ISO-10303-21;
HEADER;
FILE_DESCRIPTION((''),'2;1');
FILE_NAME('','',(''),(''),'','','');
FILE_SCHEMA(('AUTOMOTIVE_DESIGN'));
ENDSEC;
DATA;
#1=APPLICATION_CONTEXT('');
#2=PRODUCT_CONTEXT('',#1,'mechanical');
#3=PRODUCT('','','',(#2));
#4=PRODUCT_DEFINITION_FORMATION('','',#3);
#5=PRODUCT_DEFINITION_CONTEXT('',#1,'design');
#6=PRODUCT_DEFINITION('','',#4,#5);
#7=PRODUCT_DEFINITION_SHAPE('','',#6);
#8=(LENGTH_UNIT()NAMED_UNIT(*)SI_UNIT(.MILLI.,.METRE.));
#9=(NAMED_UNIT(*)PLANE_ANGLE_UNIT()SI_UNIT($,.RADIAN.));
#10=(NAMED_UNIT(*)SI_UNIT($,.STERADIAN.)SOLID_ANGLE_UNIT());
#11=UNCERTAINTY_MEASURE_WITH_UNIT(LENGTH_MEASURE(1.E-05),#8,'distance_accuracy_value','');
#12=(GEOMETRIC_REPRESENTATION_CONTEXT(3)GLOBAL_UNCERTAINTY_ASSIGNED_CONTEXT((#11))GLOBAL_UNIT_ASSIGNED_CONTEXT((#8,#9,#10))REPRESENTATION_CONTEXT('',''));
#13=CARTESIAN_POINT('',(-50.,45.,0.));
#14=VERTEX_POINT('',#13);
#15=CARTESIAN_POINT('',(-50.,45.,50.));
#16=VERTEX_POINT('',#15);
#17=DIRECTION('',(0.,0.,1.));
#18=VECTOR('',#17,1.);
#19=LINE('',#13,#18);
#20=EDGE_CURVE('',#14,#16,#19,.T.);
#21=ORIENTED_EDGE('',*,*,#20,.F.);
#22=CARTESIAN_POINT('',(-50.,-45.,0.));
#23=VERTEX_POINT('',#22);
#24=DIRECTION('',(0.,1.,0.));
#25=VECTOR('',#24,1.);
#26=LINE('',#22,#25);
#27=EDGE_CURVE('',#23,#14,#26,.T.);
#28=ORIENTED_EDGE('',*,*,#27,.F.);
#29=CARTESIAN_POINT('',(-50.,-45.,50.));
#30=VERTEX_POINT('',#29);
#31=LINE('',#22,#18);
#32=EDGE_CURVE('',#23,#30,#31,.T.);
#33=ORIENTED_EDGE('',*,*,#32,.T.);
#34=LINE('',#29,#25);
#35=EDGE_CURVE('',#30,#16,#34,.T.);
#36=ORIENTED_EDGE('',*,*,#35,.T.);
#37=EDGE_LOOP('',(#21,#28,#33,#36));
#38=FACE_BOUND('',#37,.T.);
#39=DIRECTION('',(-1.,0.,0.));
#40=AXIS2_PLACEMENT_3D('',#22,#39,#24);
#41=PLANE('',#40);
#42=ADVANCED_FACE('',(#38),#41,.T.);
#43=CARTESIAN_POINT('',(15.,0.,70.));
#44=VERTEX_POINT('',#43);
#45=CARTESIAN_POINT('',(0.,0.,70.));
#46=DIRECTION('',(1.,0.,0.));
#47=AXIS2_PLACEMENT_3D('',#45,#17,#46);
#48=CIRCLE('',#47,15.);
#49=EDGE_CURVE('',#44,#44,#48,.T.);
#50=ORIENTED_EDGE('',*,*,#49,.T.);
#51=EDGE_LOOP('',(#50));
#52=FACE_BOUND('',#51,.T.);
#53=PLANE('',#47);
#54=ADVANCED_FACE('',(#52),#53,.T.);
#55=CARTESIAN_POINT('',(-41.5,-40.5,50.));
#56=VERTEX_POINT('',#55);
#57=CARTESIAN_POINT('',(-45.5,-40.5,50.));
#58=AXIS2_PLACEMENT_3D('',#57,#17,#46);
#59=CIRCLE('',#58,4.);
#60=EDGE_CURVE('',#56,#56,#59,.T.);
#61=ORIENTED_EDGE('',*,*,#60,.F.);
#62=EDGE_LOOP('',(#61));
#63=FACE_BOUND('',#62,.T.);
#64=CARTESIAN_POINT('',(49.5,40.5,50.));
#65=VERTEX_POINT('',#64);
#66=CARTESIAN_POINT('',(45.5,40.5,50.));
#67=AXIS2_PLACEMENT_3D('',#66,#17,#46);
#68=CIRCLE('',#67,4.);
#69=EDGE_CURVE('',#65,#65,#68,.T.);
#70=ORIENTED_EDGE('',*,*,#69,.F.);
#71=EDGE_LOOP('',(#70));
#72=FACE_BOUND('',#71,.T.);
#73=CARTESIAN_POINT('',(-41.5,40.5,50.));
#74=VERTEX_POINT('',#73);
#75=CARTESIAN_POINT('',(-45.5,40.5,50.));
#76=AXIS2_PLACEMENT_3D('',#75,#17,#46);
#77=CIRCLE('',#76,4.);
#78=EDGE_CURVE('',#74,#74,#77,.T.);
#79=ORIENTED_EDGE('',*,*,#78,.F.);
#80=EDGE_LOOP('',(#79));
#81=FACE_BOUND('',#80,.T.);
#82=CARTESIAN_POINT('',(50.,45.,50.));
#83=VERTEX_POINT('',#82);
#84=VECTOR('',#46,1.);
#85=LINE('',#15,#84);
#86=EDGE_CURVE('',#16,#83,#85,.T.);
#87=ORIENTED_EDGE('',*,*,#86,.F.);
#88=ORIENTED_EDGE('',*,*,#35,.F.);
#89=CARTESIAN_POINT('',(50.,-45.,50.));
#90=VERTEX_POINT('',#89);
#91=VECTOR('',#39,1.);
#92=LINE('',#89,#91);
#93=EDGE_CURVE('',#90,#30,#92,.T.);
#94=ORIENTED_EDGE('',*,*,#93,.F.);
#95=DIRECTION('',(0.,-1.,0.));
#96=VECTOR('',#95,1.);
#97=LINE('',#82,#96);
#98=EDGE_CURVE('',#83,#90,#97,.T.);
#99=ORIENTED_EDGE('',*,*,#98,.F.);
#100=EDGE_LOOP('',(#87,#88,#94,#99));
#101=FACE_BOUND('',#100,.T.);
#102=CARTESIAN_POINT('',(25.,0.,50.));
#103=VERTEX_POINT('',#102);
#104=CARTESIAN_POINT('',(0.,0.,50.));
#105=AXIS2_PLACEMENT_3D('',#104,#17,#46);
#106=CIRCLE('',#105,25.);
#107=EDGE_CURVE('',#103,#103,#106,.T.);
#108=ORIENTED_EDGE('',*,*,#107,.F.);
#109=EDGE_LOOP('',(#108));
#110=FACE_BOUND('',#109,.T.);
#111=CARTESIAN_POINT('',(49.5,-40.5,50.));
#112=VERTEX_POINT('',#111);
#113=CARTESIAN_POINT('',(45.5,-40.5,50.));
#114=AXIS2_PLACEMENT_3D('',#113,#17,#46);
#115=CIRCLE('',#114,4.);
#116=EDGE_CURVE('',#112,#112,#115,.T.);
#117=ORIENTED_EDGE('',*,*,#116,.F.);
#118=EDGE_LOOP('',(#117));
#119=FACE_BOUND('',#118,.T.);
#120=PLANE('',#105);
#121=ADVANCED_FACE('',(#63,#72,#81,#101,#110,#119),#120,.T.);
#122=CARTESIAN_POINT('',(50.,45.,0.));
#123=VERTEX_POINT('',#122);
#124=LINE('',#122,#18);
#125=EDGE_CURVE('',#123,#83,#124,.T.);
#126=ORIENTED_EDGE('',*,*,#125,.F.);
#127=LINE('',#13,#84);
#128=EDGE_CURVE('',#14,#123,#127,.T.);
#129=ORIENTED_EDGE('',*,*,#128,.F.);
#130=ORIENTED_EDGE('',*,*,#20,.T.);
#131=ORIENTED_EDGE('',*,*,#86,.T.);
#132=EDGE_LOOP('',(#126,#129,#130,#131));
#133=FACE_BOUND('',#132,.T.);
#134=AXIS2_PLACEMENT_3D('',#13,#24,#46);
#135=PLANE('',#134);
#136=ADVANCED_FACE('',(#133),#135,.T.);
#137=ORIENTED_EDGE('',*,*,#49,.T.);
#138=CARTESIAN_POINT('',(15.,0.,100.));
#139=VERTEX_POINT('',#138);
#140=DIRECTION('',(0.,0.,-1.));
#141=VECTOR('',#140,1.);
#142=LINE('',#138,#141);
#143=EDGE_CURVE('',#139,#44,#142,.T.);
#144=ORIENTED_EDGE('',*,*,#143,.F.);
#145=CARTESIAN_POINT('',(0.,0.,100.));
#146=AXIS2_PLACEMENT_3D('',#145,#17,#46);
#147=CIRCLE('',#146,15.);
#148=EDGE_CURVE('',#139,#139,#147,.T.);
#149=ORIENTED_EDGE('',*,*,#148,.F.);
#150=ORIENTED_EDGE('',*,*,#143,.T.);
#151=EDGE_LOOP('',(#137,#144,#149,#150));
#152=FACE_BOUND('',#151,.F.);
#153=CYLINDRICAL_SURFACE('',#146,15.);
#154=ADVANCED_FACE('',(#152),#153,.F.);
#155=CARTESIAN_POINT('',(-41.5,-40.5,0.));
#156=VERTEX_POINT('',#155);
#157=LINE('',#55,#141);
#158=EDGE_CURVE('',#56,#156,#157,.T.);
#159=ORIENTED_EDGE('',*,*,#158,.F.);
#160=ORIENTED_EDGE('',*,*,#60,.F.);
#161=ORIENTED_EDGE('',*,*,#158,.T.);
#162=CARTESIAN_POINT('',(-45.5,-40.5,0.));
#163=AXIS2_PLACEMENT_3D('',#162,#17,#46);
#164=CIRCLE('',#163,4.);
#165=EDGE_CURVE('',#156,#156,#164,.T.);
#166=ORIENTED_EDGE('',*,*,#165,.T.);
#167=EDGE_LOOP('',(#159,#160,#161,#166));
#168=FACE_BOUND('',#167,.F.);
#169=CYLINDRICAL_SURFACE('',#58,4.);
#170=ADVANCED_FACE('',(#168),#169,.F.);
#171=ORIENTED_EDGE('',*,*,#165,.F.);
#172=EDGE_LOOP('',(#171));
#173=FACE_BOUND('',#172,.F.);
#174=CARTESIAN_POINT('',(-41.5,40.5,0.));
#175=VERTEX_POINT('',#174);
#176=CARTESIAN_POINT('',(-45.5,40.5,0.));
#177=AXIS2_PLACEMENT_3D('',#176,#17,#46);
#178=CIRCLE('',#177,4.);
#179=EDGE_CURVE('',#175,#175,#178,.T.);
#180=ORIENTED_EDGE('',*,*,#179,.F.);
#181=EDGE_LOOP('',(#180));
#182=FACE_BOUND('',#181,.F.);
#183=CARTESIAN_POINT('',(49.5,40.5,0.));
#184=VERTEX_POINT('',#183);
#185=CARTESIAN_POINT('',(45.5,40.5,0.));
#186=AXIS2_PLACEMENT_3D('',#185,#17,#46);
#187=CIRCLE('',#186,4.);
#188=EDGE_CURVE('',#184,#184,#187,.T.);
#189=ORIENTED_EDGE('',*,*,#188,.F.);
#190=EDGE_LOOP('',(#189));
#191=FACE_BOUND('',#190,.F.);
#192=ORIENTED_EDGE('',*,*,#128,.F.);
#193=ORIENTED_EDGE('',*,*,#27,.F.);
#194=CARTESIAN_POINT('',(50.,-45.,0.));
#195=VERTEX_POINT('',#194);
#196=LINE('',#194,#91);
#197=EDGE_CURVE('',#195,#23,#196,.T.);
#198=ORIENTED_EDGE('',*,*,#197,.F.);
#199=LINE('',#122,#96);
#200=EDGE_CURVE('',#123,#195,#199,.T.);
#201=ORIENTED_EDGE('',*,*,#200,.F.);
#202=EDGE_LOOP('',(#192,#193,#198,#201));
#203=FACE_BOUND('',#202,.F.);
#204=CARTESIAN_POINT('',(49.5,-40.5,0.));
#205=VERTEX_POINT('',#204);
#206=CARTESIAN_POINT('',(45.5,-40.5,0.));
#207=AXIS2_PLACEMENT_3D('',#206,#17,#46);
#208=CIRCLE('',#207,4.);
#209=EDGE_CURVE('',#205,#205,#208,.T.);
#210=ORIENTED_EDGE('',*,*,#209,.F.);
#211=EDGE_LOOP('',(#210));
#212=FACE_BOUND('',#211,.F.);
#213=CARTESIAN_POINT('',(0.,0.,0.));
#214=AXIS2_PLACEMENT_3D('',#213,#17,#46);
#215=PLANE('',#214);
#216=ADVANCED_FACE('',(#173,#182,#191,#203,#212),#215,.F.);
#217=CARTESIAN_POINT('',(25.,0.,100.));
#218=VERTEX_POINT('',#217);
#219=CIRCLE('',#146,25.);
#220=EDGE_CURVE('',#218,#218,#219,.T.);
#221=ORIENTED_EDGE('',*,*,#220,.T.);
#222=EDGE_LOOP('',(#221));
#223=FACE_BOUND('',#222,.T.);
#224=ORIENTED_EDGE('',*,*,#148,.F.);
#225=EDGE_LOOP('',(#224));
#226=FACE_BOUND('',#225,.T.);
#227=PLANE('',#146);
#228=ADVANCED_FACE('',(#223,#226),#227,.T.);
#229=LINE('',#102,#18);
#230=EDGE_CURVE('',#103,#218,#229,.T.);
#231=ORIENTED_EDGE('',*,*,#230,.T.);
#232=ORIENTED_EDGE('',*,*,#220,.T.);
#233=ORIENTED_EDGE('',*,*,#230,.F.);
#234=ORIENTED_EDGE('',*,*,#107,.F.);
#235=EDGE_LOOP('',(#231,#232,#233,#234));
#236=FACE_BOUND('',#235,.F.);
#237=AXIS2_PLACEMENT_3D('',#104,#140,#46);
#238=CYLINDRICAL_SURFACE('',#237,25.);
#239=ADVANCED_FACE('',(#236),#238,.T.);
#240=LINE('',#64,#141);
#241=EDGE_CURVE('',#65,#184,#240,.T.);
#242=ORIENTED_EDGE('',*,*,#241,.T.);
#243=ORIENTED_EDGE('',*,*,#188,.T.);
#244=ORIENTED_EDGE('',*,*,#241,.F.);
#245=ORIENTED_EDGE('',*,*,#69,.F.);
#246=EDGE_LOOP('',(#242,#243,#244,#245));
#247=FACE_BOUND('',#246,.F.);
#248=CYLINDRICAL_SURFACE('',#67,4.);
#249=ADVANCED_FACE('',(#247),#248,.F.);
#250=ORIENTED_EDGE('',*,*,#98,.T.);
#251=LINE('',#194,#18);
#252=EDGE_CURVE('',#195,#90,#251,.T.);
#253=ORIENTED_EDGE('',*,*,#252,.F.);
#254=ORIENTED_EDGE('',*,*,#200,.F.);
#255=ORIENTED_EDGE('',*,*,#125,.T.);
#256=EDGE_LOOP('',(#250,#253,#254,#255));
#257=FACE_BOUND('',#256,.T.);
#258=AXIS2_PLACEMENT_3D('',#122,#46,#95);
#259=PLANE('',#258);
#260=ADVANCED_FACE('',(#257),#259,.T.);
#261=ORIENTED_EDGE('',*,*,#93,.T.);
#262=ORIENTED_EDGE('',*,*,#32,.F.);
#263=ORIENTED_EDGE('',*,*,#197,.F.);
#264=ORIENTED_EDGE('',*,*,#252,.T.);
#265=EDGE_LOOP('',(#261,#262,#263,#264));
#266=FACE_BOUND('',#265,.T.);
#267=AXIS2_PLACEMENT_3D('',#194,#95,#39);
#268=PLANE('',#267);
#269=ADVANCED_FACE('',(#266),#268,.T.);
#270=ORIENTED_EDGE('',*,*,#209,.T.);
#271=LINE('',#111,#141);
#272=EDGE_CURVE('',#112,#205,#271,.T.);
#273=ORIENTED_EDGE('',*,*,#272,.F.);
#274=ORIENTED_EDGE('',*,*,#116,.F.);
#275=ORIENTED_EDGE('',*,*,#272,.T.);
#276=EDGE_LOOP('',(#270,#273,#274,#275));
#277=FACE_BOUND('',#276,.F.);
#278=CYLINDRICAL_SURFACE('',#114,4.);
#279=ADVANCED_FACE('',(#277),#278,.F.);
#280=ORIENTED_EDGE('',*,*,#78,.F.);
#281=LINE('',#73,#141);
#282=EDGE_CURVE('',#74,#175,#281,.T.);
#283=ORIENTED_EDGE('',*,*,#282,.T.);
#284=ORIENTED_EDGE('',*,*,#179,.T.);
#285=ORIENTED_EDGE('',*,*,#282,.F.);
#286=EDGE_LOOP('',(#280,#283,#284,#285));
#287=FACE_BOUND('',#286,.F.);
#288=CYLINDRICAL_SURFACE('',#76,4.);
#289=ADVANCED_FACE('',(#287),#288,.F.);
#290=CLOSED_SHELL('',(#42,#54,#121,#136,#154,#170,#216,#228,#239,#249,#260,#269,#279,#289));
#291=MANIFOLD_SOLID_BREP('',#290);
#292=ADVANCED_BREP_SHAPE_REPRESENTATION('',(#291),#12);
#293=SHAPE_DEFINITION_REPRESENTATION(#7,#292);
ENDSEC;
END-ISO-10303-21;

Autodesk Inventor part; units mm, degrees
ref_plane "YZ Plane" through (0, 0, 0) normal (1, 0, 0) x (0, 1, 0)
ref_plane "XZ Plane" through (0, 0, 0) normal (0, 1, 0) x (-1, 0, 0)
ref_plane "XY Plane" through (0, 0, 0) normal (0, 0, 1) x (1, 0, 0)
sketch "Sketch1" plane through (0, 0, 0) normal (0, 0, 1) x (1, 0, 0)
  line L0 (-50, 45) -> (50, 45)
  line L1 (50, 45) -> (50, -45)
  line L2 (50, -45) -> (-50, -45)
  line L3 (-50, -45) -> (-50, 45)
  line L4 (-50, 45) -> (50, -45) construction
  line L5 (50, 45) -> (-50, -45) construction
  point P0 (0, 0)
extrude "Extrusion1" add sketch "Sketch1" along normal blind 50
sketch "Sketch5" plane through (0, 0, 50) normal (0, 0, 1) x (1, 0, 0)
  point P0 (0, 0)
sketch "Sketch6" plane through (0, 0, 50) normal (0, 0, 1) x (1, 0, 0)
  line L0 (50, 45) -> (41, 45)
  circle A0 centre (45.5, 40.5) radius 4
  point P0 (0, 0)
extrude "Extrusion3" cut sketch "Sketch6" against normal blind 50
sketch "Sketch7" plane through (0, 0, 50) normal (0, 0, 1) x (1, 0, 0)
  circle A0 centre (-45.5, -40.5) radius 4
  circle A1 centre (45.5, -40.5) radius 4
  circle A2 centre (-45.5, 40.5) radius 4
  point P0 (0, 0)
  point P1 (-50, -45)
  point P2 (50, -45)
extrude "Extrusion4" cut sketch "Sketch7" against normal blind 50 contours A2
sketch "Sketch8" plane through (0, 0, 50) normal (0, 0, 1) x (1, 0, 0)
  line L0 (-50, -45) -> (50, -45) projected
  line L1 (-50, -45) -> (-41, -45)
  line L2 (-41, -45) -> (-41, -36)
  line L3 (-41, -36) -> (-50, -36)
  line L4 (-50, -36) -> (-50, -45)
  line L5 (50, -45) -> (50, 45) projected
  line L6 (50, -45) -> (41, -45)
  line L7 (41, -45) -> (41, -36)
  line L8 (41, -36) -> (50, -36)
  line L9 (50, -36) -> (50, -45)
  circle A0 centre (45.5, -40.5) radius 4
  circle A1 centre (-45.5, -40.5) radius 4
  point P0 (0, 0)
  dimension "d45" = 9
  dimension "d46" = 9
  dimension "d47" = 8
  dimension "d48" = 8
extrude "Extrusion5" cut sketch "Sketch8" against normal blind 50 contours A0
sketch "Sketch9" plane through (0, 0, 50) normal (0, 0, 1) x (1, 0, 0)
  circle A0 centre (0, 0) radius 15
sketch "Sketch10" plane through (0, 0, 50) normal (0, 0, 1) x (1, 0, 0)
  line L0 (-50, 45) -> (-50, -45) projected
  line L1 (-50, -45) -> (-41, -45)
  line L2 (-41, -45) -> (-41, -36)
  line L3 (-41, -36) -> (-50, -36)
  line L4 (-50, -36) -> (-50, -45)
  circle A0 centre (-45.5, -40.5) radius 4
  point P0 (0, 0)
  dimension "d51" = 9
  dimension "d52" = 9
  dimension "d53" = 8
extrude "Extrusion6" cut sketch "Sketch10" against normal blind 50 contours A0
sketch "Sketch11" plane through (0, 0, 50) normal (0, 0, 1) x (1, 0, 0)
  circle A0 centre (0, 0) radius 25
  dimension "d58" = 50
extrude "Extrusion7" add sketch "Sketch11" along normal blind 50
sketch "Sketch12" plane through (0, 0, 100) normal (0, 0, 1) x (1, 0, 0)
  circle A0 centre (0, 0) radius 15
  dimension "d61" = 30
extrude "Extrusion8" cut sketch "Sketch12" against normal blind 30
thread "Thread2" size "M50x4" class "6H" standard "ANSI Metric M Profile" length 25.616
equation "\"BendRadius\" = Thickness"
equation "\"BendReliefWidth\" = Thickness"
equation "\"BendReliefDepth\" = 0.5 * Thickness"
equation "\"CornerReliefSize\" = 4 * Thickness"
equation "\"MinimumRemnant\" = 2 * Thickness"
equation "\"TransitionRadius\" = BendRadius"
equation "\"JacobiRadiusSize\" = BendRadius"
equation "\"GapSize\" = Thickness"
equation "\"Thickness\" = 3.048"
properties part number "Práctica #1 Conociendo inventor"
